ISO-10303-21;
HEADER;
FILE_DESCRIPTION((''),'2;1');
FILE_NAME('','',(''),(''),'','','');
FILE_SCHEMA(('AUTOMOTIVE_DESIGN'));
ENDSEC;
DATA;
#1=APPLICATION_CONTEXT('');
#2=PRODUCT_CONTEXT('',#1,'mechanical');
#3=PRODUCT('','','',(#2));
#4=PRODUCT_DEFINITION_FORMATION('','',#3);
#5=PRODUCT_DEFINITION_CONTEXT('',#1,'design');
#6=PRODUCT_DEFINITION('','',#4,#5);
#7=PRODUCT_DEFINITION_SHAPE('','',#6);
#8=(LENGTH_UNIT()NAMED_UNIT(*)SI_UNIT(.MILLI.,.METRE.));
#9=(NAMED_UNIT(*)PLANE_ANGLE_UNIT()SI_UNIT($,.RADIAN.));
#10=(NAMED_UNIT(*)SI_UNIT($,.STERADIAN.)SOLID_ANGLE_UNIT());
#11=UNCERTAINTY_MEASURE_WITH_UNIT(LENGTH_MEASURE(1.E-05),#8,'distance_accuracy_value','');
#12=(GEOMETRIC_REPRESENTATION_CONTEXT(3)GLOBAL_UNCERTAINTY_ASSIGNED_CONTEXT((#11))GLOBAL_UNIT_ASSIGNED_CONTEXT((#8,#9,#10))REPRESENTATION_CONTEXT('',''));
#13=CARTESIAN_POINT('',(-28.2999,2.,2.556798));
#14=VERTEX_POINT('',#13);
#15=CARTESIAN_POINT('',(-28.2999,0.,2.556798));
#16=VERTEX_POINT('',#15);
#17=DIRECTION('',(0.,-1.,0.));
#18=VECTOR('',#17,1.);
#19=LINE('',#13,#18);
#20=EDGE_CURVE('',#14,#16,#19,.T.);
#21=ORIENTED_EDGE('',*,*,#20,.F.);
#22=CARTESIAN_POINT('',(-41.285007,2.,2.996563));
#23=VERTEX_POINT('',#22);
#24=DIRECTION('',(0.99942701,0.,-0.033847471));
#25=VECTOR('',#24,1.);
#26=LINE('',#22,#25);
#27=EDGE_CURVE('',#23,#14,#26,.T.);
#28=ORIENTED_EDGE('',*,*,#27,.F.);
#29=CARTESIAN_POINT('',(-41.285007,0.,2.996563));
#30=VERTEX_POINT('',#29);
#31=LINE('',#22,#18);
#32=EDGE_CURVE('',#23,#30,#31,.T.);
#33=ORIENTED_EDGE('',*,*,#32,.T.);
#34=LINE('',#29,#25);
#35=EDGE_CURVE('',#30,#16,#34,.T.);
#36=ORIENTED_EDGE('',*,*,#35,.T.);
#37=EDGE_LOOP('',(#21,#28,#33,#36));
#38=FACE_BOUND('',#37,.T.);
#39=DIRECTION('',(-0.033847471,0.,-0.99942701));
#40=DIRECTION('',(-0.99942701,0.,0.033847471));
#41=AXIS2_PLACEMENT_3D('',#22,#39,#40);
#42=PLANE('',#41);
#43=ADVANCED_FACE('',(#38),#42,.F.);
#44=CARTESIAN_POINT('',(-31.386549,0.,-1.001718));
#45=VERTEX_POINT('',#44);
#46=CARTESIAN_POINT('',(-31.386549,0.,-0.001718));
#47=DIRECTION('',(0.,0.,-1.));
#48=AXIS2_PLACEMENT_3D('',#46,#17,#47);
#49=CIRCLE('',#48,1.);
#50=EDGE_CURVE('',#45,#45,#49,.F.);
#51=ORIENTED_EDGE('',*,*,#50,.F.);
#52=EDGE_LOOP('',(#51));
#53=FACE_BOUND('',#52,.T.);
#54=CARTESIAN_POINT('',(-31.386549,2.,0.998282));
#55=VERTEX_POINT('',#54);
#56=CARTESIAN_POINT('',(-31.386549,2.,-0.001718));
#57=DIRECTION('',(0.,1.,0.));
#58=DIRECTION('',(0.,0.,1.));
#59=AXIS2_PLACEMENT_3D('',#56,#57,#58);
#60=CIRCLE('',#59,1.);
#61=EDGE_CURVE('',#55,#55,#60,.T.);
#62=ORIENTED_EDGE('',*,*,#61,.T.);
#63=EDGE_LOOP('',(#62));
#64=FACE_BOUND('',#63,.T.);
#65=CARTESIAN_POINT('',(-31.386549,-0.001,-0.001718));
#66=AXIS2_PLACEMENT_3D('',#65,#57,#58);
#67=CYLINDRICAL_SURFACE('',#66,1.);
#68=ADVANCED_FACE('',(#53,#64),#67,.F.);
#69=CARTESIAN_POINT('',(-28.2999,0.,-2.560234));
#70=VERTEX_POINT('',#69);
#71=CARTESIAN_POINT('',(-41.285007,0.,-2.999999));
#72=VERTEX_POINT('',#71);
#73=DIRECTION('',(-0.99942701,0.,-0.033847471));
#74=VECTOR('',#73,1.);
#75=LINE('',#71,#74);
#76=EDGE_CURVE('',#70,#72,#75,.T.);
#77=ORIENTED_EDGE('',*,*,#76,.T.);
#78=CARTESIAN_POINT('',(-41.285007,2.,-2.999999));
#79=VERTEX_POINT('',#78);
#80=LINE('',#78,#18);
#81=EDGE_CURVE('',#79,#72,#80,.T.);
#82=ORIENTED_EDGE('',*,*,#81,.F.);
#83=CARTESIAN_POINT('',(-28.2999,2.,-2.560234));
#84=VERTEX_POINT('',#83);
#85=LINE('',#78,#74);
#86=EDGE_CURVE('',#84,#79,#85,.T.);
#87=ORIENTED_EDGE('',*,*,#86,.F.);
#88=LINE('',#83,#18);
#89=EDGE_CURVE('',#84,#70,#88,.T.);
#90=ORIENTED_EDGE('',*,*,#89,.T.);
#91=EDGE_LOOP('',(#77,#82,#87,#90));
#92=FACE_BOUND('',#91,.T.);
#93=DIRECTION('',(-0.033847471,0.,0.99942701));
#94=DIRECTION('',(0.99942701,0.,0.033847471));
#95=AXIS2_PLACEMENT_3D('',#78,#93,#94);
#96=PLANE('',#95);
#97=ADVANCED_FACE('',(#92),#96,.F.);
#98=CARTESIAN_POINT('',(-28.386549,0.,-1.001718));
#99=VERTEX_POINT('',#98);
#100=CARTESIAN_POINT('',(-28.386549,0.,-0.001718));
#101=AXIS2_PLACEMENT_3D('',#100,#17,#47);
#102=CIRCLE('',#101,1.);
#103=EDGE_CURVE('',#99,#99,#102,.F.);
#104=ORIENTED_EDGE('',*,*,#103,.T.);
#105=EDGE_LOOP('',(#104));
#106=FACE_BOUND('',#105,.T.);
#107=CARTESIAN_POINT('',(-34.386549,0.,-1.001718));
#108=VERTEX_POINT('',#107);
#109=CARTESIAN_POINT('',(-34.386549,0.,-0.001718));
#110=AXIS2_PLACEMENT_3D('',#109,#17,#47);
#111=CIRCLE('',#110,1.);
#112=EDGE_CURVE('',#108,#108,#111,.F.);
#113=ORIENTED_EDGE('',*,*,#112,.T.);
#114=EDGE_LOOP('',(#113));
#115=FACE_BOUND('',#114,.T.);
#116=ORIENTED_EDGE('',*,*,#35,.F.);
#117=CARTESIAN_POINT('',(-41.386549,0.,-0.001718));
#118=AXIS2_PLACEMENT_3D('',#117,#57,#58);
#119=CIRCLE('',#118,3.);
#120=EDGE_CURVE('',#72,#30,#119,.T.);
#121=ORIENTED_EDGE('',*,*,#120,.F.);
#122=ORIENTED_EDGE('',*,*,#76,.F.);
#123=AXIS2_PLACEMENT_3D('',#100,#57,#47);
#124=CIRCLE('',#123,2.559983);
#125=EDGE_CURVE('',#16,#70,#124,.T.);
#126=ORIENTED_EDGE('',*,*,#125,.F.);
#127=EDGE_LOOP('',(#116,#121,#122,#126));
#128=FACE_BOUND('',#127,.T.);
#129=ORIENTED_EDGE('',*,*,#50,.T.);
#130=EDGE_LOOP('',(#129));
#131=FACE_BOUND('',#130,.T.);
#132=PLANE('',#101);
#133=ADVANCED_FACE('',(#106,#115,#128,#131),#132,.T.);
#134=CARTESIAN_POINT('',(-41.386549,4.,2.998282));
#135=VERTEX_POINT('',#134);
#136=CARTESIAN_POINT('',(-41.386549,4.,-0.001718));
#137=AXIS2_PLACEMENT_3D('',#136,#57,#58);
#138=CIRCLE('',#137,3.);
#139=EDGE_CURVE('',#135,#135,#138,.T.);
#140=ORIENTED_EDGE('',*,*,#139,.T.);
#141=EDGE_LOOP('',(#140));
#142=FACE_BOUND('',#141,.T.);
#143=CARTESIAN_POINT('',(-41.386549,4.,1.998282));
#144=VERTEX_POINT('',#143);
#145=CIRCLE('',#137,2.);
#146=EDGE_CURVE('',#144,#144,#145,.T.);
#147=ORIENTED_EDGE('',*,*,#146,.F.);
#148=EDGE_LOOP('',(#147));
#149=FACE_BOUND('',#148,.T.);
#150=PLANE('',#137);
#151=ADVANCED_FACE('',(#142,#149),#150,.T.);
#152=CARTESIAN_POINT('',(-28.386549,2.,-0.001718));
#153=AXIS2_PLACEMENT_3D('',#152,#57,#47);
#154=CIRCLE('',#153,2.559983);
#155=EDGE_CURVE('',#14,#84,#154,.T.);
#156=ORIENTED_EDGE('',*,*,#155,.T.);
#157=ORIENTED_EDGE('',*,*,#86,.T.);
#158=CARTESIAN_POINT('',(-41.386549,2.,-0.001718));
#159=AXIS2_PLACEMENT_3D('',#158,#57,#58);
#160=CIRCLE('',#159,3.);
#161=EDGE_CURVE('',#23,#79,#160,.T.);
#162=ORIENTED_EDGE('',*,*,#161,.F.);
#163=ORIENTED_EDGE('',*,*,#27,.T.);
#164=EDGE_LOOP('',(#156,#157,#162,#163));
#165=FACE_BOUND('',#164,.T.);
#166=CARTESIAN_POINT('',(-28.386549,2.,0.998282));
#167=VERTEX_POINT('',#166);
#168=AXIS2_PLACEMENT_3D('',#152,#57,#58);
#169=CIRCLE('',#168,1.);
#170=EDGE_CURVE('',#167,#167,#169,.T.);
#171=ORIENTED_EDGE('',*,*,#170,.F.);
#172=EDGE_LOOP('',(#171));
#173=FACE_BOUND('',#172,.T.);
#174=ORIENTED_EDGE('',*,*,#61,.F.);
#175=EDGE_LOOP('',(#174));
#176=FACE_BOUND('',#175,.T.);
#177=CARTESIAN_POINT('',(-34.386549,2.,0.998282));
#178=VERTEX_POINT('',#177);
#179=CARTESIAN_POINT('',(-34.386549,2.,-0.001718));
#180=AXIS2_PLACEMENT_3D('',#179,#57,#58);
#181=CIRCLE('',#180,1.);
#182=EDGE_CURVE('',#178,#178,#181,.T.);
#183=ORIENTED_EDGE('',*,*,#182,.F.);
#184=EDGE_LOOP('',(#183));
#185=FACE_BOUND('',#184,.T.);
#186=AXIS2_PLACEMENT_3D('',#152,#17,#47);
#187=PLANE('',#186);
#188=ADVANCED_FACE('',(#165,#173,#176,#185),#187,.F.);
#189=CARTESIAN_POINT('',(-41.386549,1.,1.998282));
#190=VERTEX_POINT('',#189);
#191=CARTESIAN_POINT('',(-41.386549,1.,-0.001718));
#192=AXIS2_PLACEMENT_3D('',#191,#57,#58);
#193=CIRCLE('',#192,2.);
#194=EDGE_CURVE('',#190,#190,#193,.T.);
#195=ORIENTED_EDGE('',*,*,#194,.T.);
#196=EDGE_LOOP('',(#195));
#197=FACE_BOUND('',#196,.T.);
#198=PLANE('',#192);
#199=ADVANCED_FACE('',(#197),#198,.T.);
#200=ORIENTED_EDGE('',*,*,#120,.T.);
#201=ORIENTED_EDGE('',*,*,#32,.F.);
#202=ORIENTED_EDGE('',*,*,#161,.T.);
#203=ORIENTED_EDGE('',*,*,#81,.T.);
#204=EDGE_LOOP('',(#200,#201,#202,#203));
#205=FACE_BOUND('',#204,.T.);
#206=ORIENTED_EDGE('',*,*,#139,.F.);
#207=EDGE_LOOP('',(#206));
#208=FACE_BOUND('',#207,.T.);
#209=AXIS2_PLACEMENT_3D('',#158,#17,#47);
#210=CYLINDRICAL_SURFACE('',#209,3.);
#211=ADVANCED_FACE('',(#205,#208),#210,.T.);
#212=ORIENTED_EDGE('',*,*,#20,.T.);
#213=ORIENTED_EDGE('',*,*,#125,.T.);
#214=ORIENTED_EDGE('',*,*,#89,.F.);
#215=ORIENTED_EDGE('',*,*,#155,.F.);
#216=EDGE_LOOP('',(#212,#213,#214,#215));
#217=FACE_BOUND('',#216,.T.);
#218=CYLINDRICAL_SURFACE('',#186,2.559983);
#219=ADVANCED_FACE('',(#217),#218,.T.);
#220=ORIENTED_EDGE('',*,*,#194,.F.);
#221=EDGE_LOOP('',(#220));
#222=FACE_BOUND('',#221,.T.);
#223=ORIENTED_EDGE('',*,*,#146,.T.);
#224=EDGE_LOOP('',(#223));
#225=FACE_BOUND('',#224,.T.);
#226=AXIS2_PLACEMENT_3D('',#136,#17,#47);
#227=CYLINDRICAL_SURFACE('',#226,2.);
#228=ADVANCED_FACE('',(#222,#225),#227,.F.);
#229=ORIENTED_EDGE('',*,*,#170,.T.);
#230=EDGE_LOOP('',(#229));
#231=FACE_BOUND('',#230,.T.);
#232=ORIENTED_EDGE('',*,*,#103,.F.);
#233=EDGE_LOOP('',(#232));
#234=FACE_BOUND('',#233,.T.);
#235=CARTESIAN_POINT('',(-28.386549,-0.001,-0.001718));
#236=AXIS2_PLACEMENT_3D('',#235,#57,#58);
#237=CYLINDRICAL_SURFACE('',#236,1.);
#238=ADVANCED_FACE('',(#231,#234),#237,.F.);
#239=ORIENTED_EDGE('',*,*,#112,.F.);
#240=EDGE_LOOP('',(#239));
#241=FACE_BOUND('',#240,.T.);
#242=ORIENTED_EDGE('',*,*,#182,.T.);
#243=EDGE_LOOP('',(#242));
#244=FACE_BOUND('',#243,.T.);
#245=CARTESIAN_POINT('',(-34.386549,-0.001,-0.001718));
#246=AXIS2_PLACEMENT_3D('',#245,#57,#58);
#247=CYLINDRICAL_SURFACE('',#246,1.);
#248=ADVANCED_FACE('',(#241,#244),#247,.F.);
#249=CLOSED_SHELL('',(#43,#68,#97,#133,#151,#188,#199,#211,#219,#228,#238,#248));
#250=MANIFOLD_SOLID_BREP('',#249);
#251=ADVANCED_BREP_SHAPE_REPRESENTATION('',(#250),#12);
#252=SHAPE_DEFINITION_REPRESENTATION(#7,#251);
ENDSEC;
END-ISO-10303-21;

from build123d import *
from build123d.topology import SkipClean

# Parameters (mm, degrees)
EXTRUSION1_DEPTH = 2
EXTRUSION2_REACH = 46.533
ESQUISSE2_R      = 1
ESQUISSE3_R      = 3
ESQUISSE3_R_2    = 2
EXTRUSION3_DEPTH = 2
EXTRUSION4_START = -1
ESQUISSE4_R      = 2
EXTRUSION4_DEPTH = 1


with BuildPart() as part:
    # Esquisse1 → Extrusion1 (new body)
    with BuildSketch(Plane(origin=(0, 0, 0), x_dir=(1, 0, 0), z_dir=(0, 1, 0))):
        with BuildLine():
            Line((-41.28500686, 2.999999015), (-28.299900327, 2.560234019))
            ThreePointArc((-28.299900327, 2.560234019), (-25.826566394, 0.001717984), (-28.299900327, -2.55679805))
            Line((-28.299900327, -2.55679805), (-41.28500686, -2.996563046))
            ThreePointArc((-41.28500686, -2.996563046), (-44.386549273, 0.001717984), (-41.28500686, 2.999999015))
        make_face()
    extrude(amount=EXTRUSION1_DEPTH)

    # Esquisse2 → Extrusion2 (cut, up to next)
    with BuildSketch(Plane(origin=(0, 2, 0), x_dir=(-1, 0, 0), z_dir=(0, 1, 0)), mode=Mode.PRIVATE) as extrusion2_sk1:
        with Locations(Location((34.386549273, -0.001717984, 0), (0, 0, 90))):
            Circle(ESQUISSE2_R)
    extrusion2_tool1 = extrude(extrusion2_sk1.sketch, amount=-EXTRUSION2_REACH, mode=Mode.PRIVATE) & part.part
    # Esquisse2 → Extrusion2 (cut, up to next)
    with BuildSketch(Plane(origin=(0, 2, 0), x_dir=(-1, 0, 0), z_dir=(0, 1, 0)), mode=Mode.PRIVATE) as extrusion2_sk2:
        with Locations(Location((31.386549273, -0.001717984, 0), (0, 0, 90))):
            Circle(ESQUISSE2_R)
    extrusion2_tool2 = extrude(extrusion2_sk2.sketch, amount=-EXTRUSION2_REACH, mode=Mode.PRIVATE) & part.part
    # Esquisse2 → Extrusion2 (cut, up to next)
    with BuildSketch(Plane(origin=(0, 2, 0), x_dir=(-1, 0, 0), z_dir=(0, 1, 0)), mode=Mode.PRIVATE) as extrusion2_sk3:
        with Locations(Location((28.386549273, -0.001717984, 0), (0, 0, 90))):
            Circle(ESQUISSE2_R)
    extrusion2_tool3 = extrude(extrusion2_sk3.sketch, amount=-EXTRUSION2_REACH, mode=Mode.PRIVATE) & part.part
    add(extrusion2_tool1.solids().sort_by_distance((-34.386549, 2, -0.001718))[0], mode=Mode.SUBTRACT)
    add(extrusion2_tool2.solids().sort_by_distance((-31.386549, 2, -0.001718))[0], mode=Mode.SUBTRACT)
    add(extrusion2_tool3.solids().sort_by_distance((-28.386549, 2, -0.001718))[0], mode=Mode.SUBTRACT)

    # Esquisse3 → Extrusion3 (add)
    with SkipClean():  # the faces are left unmerged after this step: merging them gives an invalid solid
        with BuildSketch(Plane(origin=(0, 2, 0), x_dir=(1, 0, 0), z_dir=(0, 1, 0))):
            with Locations(Location((-41.386549273, 0.001717984, 0), (0, 0, 88.060312285))):
                Circle(ESQUISSE3_R)
            with Locations(Location((-41.386549273, 0.001717984, 0), (0, 0, 270))):
                Circle(ESQUISSE3_R_2, mode=Mode.SUBTRACT)
        extrude(amount=EXTRUSION3_DEPTH)

    # Esquisse4 → Extrusion4 (cut)
    with SkipClean():  # the faces are left unmerged after this step: merging them gives an invalid solid
        with BuildSketch(Plane(origin=(0, 2, 0), x_dir=(1, 0, 0), z_dir=(0, 1, 0)).offset(EXTRUSION4_START)):
            with Locations(Location((-41.386549273, 0.001717984, 0), (0, 0, 270))):
                Circle(ESQUISSE4_R)
        extrude(amount=EXTRUSION4_DEPTH, mode=Mode.SUBTRACT)


solid = part.part
